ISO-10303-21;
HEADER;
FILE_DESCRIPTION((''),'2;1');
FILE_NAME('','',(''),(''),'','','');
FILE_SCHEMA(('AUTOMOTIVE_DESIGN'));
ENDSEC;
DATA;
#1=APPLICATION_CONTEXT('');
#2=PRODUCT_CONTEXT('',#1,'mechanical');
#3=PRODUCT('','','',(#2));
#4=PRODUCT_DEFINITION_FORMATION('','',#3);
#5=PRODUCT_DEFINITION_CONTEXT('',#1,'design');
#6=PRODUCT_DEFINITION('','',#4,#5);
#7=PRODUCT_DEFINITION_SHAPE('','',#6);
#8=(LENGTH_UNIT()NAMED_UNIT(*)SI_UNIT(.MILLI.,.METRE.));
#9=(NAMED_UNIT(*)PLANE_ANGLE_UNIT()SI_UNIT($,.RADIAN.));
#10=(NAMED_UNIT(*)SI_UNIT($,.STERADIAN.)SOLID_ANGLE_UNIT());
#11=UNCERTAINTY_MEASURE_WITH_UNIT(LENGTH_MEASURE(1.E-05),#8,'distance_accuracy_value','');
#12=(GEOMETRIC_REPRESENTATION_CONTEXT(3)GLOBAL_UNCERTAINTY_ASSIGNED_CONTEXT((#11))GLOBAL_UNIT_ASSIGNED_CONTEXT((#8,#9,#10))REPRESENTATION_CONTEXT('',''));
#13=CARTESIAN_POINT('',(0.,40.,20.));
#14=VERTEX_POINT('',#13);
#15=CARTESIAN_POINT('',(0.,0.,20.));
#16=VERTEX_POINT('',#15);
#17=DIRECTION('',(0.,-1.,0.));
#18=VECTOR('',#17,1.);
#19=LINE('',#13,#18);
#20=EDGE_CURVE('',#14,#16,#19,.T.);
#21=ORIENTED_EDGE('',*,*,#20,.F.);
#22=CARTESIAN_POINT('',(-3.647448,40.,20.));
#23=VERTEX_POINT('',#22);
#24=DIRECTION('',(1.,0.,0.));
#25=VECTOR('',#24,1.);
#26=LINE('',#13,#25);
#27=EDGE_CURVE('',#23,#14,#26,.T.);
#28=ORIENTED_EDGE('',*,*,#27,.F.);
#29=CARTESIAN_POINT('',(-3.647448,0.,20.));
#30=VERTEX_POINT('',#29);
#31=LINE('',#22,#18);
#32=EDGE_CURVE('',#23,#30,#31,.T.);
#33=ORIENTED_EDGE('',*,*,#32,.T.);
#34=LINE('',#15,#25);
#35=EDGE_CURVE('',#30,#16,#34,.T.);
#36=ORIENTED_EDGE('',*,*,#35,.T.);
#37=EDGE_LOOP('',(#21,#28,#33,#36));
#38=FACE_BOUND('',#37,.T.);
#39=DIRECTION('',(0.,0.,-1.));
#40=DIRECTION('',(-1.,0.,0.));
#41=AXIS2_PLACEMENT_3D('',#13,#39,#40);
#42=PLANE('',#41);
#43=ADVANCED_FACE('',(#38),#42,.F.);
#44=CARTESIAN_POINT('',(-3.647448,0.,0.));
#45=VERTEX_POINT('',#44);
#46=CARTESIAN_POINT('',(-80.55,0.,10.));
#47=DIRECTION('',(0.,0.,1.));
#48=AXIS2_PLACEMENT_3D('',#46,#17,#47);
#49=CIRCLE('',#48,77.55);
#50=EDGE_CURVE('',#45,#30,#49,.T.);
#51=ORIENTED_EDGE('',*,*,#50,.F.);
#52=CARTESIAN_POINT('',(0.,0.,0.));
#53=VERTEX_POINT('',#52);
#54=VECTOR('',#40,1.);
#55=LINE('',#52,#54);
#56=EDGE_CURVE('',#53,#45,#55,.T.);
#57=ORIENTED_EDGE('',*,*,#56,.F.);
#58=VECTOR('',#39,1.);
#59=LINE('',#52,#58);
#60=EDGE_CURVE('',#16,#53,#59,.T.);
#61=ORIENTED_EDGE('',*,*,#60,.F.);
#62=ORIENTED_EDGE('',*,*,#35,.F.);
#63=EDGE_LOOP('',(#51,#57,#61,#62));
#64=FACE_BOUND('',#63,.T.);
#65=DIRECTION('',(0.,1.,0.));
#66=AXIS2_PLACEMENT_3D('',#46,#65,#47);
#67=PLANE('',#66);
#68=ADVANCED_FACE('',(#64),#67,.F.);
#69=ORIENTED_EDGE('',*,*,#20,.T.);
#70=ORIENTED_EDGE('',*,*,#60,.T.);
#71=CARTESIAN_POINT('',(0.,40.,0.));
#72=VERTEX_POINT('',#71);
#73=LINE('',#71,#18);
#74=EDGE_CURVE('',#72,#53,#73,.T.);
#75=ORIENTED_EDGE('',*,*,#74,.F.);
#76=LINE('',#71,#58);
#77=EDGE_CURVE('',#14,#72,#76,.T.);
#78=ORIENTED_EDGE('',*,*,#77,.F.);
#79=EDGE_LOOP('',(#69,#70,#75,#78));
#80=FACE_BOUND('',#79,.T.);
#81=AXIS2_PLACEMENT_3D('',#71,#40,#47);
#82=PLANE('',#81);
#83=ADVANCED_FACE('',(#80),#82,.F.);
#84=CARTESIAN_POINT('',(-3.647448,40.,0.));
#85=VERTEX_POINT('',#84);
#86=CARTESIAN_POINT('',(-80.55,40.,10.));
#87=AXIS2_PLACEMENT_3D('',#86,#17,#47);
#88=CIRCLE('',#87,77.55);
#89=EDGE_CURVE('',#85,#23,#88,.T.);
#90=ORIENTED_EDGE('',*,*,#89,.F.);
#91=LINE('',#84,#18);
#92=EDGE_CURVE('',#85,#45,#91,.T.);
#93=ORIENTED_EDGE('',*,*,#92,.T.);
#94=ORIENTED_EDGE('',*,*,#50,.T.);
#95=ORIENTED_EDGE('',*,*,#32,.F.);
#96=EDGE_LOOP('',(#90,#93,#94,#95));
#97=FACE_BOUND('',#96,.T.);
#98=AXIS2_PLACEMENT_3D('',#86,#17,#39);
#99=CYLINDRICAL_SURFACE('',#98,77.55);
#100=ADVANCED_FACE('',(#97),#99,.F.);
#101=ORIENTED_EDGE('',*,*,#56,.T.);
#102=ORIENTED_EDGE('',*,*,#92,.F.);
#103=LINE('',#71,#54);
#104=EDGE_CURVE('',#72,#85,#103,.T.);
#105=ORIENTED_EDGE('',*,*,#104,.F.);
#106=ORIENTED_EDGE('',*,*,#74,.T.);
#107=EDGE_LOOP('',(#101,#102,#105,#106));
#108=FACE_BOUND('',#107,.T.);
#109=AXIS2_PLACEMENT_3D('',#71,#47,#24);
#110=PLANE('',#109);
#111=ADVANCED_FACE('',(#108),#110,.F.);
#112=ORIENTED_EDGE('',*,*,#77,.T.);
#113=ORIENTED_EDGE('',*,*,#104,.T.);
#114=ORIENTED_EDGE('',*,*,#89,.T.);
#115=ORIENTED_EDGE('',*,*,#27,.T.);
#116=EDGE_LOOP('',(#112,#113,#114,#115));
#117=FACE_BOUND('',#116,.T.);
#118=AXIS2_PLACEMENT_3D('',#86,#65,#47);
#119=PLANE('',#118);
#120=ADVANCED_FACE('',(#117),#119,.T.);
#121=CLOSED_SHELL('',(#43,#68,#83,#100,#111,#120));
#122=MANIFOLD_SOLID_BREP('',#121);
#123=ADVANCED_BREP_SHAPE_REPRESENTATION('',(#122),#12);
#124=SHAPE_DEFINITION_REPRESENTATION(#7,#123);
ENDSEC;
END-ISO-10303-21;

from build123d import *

# Parameters (mm, degrees)
EXTRUDE_1_DEPTH = 40


with BuildPart() as part:
    # 草图1 → 凸台-拉伸1 (new body)
    with BuildSketch(Plane(origin=(0, 0, 0), x_dir=(1, 0, 0), z_dir=(0, 1, 0))):
        with BuildLine():
            Line((0, 0), (0, -20))
            Line((0, -20), (-3.647448027, -20))
            ThreePointArc((-3.647448027, -20), (-3, -10), (-3.647448027, 0))
            Line((-3.647448027, 0), (0, 0))
        make_face()
    extrude(amount=EXTRUDE_1_DEPTH)


solid = part.part
